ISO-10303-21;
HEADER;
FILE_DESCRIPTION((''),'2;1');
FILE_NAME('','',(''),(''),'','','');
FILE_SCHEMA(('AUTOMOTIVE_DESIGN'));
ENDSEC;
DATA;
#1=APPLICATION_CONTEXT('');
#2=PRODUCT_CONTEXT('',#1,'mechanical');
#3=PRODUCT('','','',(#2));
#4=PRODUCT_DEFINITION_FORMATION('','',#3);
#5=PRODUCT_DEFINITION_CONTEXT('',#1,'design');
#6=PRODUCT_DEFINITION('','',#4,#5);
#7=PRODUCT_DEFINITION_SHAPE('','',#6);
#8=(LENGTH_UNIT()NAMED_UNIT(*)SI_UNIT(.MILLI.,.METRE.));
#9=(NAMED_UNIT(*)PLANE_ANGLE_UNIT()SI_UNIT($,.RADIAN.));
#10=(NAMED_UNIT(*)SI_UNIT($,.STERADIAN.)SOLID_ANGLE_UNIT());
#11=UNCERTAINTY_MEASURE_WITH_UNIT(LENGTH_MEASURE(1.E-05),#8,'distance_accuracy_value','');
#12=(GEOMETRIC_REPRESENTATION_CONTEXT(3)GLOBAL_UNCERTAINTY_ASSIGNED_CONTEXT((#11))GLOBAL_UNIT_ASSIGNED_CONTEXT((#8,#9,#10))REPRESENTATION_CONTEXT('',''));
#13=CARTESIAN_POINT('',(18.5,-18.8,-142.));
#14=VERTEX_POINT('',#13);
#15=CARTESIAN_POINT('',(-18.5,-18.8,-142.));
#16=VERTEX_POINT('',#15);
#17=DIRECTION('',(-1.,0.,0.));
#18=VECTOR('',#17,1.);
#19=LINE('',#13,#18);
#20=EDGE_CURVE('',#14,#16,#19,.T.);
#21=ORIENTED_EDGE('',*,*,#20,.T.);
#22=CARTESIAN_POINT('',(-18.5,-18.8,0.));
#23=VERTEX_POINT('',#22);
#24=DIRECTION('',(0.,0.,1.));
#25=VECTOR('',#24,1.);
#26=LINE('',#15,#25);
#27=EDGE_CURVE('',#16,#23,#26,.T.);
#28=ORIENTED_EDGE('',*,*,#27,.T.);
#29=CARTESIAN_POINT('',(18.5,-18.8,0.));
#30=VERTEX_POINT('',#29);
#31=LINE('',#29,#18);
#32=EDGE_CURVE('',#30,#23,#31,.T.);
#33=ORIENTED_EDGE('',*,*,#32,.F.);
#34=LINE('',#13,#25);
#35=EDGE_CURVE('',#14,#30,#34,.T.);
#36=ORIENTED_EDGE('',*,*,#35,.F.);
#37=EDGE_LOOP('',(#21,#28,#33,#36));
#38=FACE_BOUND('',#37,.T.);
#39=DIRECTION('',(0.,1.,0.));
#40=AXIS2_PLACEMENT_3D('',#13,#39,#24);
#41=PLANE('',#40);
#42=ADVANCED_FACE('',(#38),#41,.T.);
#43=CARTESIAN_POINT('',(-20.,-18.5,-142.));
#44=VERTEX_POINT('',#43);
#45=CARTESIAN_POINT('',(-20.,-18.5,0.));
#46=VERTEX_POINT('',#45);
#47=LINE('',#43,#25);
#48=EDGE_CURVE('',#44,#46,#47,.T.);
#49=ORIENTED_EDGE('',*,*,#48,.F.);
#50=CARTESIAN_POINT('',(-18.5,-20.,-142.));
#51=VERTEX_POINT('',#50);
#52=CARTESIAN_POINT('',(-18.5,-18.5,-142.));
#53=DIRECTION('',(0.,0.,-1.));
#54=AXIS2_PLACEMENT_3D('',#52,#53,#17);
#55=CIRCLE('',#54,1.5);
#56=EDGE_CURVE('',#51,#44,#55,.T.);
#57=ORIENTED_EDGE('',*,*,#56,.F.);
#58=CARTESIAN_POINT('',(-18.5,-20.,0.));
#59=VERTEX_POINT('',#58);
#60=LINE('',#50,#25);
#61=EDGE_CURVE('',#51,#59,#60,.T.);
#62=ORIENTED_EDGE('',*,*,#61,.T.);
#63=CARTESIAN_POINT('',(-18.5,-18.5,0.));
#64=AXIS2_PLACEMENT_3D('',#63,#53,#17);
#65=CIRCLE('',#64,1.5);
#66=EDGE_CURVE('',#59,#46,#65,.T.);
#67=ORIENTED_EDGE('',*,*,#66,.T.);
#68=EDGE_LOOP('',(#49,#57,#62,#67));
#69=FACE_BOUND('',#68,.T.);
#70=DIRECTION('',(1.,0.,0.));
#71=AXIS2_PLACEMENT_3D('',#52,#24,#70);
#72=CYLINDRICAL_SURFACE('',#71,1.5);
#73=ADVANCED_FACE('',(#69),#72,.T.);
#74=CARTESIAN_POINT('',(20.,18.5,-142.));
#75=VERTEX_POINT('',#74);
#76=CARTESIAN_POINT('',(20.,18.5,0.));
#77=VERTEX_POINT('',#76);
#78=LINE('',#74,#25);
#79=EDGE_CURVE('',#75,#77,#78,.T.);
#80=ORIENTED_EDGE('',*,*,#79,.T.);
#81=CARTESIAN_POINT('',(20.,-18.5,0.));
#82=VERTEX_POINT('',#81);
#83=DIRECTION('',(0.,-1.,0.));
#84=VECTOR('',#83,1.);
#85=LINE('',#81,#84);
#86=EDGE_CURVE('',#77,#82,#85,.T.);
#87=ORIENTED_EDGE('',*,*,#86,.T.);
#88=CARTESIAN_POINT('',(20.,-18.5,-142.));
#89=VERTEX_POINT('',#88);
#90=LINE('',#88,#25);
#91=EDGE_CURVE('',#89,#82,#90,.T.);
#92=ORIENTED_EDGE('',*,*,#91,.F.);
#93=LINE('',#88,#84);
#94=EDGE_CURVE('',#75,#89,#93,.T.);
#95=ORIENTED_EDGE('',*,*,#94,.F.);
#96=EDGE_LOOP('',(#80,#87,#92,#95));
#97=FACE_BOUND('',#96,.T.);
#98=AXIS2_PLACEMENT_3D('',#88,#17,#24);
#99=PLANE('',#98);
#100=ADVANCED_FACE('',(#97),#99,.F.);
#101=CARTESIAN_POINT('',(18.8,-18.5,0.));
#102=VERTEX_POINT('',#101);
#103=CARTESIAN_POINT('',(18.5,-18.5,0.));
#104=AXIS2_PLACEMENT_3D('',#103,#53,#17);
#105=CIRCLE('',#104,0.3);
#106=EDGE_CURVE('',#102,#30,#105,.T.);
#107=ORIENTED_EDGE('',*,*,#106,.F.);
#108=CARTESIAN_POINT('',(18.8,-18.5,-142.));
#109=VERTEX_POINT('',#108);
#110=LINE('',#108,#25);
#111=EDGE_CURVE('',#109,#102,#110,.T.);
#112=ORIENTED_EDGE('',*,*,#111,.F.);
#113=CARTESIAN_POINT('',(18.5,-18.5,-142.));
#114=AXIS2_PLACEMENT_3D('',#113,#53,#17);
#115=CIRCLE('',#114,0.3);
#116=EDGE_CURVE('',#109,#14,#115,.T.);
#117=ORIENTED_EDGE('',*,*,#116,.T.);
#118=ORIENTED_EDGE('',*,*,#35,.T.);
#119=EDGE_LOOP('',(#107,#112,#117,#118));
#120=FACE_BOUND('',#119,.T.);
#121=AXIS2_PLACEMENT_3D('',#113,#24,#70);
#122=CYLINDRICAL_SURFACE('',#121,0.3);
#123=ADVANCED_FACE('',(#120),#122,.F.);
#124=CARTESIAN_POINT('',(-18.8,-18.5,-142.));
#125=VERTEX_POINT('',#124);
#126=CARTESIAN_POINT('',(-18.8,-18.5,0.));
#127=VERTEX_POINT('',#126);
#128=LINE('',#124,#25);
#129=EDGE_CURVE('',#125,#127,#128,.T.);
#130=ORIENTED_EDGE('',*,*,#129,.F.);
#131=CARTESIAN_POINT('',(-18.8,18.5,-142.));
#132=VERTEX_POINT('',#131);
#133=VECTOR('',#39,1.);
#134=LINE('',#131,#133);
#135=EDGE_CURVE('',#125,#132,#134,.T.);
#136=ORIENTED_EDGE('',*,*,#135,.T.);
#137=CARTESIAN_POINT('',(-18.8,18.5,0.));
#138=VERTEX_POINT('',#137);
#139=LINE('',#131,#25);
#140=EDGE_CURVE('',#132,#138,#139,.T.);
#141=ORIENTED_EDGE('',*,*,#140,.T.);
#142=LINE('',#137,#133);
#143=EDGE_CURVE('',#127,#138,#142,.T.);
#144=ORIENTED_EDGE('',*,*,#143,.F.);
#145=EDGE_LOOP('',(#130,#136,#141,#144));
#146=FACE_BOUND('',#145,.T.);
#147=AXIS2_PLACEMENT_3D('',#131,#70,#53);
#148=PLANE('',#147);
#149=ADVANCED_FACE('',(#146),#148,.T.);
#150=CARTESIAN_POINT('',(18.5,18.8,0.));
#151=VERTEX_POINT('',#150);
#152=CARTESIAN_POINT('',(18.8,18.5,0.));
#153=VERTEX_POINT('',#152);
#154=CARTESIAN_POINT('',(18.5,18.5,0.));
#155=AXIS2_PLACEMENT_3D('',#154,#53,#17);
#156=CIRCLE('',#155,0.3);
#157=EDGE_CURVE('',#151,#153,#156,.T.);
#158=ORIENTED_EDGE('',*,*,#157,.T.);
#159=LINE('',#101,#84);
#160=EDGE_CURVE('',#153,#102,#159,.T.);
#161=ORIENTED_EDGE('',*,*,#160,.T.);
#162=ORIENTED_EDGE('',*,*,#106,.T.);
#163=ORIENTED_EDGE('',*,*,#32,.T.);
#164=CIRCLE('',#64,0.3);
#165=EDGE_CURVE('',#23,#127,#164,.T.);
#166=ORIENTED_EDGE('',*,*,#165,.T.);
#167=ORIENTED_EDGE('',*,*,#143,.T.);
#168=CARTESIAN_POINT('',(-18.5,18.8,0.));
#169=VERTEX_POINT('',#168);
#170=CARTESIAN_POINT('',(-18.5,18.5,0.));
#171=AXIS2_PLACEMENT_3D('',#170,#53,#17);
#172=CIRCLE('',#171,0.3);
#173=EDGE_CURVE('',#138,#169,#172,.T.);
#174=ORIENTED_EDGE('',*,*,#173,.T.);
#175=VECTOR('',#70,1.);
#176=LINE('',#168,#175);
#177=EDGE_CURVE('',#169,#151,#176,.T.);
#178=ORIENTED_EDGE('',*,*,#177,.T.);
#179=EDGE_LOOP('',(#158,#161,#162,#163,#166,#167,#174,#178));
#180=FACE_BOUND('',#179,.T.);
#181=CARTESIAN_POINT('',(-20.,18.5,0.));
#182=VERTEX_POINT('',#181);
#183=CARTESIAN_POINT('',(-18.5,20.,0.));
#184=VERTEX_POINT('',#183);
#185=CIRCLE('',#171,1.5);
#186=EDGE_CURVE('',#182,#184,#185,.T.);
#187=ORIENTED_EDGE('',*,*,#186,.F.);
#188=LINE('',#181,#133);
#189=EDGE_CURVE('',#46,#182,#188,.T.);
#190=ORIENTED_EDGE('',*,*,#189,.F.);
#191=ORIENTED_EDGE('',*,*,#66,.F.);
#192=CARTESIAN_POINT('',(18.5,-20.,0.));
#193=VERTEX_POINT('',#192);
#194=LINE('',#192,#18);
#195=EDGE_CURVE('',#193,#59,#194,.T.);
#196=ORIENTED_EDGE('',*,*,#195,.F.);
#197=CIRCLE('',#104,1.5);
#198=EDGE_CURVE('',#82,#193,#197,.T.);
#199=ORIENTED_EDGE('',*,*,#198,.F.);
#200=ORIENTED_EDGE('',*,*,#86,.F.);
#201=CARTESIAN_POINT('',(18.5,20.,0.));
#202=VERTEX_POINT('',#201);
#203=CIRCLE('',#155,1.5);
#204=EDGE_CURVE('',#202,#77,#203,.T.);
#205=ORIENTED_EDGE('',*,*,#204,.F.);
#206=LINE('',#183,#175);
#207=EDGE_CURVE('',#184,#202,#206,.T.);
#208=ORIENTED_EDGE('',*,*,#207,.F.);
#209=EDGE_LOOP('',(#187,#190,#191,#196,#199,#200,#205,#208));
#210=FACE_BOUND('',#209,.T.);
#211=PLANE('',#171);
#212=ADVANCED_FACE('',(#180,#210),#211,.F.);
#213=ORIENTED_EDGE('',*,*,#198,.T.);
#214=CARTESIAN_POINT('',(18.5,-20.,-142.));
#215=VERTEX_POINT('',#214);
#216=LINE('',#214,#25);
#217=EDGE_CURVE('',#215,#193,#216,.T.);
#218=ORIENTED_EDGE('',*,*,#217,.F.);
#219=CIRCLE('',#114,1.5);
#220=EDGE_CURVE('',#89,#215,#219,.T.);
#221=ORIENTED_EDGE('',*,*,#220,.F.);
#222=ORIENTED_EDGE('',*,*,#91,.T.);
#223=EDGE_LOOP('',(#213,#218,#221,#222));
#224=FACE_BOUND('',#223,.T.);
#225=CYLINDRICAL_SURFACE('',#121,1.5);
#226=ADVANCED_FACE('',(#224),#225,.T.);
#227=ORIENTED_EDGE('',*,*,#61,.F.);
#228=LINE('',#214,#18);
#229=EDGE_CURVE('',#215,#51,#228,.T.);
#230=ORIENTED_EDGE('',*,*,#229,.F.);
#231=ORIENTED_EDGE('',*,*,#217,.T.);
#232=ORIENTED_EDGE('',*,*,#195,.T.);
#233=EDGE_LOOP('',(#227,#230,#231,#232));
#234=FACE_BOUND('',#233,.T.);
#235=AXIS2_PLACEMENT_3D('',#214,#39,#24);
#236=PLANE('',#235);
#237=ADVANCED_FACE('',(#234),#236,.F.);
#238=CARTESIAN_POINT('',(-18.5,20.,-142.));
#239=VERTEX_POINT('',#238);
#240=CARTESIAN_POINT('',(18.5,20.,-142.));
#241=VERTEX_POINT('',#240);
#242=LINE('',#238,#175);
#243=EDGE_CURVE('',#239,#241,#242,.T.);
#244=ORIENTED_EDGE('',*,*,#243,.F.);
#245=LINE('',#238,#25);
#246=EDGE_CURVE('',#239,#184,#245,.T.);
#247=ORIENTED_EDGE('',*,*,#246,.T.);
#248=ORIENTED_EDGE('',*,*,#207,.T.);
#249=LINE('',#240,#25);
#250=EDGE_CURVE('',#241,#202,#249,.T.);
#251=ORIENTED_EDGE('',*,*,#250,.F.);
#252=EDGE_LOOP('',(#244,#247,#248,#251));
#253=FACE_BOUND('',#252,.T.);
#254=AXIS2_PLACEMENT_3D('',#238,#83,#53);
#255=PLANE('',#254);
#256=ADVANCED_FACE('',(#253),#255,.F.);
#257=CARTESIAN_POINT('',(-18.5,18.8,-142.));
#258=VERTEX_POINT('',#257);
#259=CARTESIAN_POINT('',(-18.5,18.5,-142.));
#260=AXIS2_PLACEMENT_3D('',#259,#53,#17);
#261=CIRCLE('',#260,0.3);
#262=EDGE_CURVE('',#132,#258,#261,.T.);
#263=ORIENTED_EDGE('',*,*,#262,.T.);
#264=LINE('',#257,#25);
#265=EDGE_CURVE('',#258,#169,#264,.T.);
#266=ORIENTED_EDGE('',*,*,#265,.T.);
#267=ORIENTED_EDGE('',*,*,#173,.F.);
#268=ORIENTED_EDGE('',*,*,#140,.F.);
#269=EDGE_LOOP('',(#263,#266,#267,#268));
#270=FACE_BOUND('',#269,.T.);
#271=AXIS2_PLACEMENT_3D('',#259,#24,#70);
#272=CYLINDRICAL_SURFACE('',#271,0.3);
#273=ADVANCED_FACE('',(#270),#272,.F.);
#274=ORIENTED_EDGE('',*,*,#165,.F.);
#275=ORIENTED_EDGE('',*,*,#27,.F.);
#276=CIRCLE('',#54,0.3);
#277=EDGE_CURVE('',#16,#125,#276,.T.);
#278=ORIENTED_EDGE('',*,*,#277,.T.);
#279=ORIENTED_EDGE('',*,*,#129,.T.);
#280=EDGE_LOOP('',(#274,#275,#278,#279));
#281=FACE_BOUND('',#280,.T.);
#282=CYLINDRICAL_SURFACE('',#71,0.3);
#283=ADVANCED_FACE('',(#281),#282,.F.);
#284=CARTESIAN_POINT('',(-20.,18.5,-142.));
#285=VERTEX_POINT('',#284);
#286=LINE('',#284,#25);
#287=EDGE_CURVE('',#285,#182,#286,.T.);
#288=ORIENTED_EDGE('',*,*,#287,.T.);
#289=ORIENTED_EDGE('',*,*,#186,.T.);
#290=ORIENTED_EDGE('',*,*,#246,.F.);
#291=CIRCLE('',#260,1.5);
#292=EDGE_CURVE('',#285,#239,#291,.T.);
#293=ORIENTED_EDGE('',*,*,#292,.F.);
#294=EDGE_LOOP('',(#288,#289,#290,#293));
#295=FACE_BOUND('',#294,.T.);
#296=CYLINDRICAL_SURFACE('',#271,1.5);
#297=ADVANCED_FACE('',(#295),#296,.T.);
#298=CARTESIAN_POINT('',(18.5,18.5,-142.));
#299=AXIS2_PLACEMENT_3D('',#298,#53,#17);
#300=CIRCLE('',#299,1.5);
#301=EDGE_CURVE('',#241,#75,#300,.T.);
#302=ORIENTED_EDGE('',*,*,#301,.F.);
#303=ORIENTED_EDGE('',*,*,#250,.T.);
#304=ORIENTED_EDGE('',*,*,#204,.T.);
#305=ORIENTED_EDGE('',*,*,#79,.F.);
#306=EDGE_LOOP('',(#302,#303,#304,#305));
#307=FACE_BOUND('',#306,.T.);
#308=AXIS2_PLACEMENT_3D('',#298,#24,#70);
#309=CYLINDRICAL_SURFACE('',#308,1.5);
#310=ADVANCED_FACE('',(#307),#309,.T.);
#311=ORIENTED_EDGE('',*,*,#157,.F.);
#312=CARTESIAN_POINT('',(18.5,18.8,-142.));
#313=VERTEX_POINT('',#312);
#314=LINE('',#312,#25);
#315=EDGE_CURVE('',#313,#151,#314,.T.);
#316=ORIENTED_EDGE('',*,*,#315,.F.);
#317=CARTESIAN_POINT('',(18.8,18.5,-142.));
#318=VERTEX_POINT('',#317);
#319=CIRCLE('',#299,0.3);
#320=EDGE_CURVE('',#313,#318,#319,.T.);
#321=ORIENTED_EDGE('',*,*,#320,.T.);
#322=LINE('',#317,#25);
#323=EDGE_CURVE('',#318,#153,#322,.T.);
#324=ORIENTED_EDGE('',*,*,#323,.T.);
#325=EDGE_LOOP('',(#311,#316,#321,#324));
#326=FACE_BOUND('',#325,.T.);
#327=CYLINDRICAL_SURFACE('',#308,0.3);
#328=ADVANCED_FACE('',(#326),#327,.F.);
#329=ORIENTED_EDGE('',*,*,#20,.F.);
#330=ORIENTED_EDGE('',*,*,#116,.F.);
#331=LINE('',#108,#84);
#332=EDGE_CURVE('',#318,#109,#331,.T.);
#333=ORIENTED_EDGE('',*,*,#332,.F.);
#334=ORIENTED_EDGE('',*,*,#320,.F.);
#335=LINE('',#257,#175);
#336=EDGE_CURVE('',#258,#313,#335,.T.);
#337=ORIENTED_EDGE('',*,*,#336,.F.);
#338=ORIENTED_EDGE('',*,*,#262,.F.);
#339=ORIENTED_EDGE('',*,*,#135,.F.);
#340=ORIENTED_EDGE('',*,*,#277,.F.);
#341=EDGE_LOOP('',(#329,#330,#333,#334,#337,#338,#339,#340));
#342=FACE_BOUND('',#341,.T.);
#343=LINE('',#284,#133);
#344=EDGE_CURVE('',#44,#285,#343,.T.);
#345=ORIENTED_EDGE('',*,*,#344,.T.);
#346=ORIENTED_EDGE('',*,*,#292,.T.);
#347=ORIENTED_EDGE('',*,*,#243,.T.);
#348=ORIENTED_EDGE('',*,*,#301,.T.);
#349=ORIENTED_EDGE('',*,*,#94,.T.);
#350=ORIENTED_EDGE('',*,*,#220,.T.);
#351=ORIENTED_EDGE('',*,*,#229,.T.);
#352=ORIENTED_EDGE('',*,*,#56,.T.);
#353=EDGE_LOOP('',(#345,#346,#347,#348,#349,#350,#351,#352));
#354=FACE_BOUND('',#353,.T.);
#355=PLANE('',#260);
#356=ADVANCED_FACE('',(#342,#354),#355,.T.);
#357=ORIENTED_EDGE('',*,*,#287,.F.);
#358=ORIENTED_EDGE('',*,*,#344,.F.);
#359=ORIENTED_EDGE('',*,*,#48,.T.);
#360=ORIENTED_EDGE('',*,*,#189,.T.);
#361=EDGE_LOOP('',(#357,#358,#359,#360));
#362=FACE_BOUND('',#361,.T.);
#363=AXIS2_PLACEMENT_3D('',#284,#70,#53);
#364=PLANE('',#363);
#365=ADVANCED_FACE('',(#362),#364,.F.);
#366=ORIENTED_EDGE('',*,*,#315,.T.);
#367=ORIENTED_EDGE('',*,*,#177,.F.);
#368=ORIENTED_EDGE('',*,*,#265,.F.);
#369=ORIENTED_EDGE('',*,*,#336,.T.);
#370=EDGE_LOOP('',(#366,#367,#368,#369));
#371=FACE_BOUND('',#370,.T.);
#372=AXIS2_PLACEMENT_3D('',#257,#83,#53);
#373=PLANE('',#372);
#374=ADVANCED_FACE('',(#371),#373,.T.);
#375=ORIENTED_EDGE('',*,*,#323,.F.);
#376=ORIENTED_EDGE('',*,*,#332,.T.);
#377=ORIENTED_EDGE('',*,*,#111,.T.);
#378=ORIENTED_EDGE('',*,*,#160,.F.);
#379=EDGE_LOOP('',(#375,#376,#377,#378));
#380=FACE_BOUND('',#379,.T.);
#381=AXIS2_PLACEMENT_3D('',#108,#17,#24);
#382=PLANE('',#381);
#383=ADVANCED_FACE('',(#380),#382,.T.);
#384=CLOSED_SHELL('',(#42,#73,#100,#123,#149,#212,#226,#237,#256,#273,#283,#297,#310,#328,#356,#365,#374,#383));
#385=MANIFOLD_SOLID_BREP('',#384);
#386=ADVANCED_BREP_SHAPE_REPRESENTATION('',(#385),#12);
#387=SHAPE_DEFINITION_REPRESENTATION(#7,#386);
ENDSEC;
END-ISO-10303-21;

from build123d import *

# Parameters (mm, degrees)
STRUCTURAL_MEMBER1_DEPTH = 142


with BuildPart() as part:
    # Sketch12 → Structural Member1 (new body)
    with BuildSketch(Plane(origin=(0, 0, 0), x_dir=(-1, 0, 0), z_dir=(0, 0, -1))):
        with BuildLine():
            Line((-18.5, -20), (18.5, -20))
            ThreePointArc((18.5, -20), (19.560660172, -19.560660172), (20, -18.5))
            Line((20, -18.5), (20, 18.5))
            ThreePointArc((20, 18.5), (19.560660172, 19.560660172), (18.5, 20))
            Line((18.5, 20), (-18.5, 20))
            ThreePointArc((-18.5, 20), (-19.560660172, 19.560660172), (-20, 18.5))
            Line((-20, 18.5), (-20, -18.5))
            ThreePointArc((-20, -18.5), (-19.560660172, -19.560660172), (-18.5, -20))
        make_face()
        with BuildLine():
            Line((-18.5, -18.8), (18.5, -18.8))
            ThreePointArc((18.5, -18.8), (18.712132034, -18.712132034), (18.8, -18.5))
            Line((18.8, -18.5), (18.8, 18.5))
            ThreePointArc((18.8, 18.5), (18.712132034, 18.712132034), (18.5, 18.8))
            Line((18.5, 18.8), (-18.5, 18.8))
            ThreePointArc((-18.5, 18.8), (-18.712132034, 18.712132034), (-18.8, 18.5))
            Line((-18.8, 18.5), (-18.8, -18.5))
            ThreePointArc((-18.8, -18.5), (-18.712132034, -18.712132034), (-18.5, -18.8))
        make_face(mode=Mode.SUBTRACT)
    extrude(amount=STRUCTURAL_MEMBER1_DEPTH)


solid = part.part
